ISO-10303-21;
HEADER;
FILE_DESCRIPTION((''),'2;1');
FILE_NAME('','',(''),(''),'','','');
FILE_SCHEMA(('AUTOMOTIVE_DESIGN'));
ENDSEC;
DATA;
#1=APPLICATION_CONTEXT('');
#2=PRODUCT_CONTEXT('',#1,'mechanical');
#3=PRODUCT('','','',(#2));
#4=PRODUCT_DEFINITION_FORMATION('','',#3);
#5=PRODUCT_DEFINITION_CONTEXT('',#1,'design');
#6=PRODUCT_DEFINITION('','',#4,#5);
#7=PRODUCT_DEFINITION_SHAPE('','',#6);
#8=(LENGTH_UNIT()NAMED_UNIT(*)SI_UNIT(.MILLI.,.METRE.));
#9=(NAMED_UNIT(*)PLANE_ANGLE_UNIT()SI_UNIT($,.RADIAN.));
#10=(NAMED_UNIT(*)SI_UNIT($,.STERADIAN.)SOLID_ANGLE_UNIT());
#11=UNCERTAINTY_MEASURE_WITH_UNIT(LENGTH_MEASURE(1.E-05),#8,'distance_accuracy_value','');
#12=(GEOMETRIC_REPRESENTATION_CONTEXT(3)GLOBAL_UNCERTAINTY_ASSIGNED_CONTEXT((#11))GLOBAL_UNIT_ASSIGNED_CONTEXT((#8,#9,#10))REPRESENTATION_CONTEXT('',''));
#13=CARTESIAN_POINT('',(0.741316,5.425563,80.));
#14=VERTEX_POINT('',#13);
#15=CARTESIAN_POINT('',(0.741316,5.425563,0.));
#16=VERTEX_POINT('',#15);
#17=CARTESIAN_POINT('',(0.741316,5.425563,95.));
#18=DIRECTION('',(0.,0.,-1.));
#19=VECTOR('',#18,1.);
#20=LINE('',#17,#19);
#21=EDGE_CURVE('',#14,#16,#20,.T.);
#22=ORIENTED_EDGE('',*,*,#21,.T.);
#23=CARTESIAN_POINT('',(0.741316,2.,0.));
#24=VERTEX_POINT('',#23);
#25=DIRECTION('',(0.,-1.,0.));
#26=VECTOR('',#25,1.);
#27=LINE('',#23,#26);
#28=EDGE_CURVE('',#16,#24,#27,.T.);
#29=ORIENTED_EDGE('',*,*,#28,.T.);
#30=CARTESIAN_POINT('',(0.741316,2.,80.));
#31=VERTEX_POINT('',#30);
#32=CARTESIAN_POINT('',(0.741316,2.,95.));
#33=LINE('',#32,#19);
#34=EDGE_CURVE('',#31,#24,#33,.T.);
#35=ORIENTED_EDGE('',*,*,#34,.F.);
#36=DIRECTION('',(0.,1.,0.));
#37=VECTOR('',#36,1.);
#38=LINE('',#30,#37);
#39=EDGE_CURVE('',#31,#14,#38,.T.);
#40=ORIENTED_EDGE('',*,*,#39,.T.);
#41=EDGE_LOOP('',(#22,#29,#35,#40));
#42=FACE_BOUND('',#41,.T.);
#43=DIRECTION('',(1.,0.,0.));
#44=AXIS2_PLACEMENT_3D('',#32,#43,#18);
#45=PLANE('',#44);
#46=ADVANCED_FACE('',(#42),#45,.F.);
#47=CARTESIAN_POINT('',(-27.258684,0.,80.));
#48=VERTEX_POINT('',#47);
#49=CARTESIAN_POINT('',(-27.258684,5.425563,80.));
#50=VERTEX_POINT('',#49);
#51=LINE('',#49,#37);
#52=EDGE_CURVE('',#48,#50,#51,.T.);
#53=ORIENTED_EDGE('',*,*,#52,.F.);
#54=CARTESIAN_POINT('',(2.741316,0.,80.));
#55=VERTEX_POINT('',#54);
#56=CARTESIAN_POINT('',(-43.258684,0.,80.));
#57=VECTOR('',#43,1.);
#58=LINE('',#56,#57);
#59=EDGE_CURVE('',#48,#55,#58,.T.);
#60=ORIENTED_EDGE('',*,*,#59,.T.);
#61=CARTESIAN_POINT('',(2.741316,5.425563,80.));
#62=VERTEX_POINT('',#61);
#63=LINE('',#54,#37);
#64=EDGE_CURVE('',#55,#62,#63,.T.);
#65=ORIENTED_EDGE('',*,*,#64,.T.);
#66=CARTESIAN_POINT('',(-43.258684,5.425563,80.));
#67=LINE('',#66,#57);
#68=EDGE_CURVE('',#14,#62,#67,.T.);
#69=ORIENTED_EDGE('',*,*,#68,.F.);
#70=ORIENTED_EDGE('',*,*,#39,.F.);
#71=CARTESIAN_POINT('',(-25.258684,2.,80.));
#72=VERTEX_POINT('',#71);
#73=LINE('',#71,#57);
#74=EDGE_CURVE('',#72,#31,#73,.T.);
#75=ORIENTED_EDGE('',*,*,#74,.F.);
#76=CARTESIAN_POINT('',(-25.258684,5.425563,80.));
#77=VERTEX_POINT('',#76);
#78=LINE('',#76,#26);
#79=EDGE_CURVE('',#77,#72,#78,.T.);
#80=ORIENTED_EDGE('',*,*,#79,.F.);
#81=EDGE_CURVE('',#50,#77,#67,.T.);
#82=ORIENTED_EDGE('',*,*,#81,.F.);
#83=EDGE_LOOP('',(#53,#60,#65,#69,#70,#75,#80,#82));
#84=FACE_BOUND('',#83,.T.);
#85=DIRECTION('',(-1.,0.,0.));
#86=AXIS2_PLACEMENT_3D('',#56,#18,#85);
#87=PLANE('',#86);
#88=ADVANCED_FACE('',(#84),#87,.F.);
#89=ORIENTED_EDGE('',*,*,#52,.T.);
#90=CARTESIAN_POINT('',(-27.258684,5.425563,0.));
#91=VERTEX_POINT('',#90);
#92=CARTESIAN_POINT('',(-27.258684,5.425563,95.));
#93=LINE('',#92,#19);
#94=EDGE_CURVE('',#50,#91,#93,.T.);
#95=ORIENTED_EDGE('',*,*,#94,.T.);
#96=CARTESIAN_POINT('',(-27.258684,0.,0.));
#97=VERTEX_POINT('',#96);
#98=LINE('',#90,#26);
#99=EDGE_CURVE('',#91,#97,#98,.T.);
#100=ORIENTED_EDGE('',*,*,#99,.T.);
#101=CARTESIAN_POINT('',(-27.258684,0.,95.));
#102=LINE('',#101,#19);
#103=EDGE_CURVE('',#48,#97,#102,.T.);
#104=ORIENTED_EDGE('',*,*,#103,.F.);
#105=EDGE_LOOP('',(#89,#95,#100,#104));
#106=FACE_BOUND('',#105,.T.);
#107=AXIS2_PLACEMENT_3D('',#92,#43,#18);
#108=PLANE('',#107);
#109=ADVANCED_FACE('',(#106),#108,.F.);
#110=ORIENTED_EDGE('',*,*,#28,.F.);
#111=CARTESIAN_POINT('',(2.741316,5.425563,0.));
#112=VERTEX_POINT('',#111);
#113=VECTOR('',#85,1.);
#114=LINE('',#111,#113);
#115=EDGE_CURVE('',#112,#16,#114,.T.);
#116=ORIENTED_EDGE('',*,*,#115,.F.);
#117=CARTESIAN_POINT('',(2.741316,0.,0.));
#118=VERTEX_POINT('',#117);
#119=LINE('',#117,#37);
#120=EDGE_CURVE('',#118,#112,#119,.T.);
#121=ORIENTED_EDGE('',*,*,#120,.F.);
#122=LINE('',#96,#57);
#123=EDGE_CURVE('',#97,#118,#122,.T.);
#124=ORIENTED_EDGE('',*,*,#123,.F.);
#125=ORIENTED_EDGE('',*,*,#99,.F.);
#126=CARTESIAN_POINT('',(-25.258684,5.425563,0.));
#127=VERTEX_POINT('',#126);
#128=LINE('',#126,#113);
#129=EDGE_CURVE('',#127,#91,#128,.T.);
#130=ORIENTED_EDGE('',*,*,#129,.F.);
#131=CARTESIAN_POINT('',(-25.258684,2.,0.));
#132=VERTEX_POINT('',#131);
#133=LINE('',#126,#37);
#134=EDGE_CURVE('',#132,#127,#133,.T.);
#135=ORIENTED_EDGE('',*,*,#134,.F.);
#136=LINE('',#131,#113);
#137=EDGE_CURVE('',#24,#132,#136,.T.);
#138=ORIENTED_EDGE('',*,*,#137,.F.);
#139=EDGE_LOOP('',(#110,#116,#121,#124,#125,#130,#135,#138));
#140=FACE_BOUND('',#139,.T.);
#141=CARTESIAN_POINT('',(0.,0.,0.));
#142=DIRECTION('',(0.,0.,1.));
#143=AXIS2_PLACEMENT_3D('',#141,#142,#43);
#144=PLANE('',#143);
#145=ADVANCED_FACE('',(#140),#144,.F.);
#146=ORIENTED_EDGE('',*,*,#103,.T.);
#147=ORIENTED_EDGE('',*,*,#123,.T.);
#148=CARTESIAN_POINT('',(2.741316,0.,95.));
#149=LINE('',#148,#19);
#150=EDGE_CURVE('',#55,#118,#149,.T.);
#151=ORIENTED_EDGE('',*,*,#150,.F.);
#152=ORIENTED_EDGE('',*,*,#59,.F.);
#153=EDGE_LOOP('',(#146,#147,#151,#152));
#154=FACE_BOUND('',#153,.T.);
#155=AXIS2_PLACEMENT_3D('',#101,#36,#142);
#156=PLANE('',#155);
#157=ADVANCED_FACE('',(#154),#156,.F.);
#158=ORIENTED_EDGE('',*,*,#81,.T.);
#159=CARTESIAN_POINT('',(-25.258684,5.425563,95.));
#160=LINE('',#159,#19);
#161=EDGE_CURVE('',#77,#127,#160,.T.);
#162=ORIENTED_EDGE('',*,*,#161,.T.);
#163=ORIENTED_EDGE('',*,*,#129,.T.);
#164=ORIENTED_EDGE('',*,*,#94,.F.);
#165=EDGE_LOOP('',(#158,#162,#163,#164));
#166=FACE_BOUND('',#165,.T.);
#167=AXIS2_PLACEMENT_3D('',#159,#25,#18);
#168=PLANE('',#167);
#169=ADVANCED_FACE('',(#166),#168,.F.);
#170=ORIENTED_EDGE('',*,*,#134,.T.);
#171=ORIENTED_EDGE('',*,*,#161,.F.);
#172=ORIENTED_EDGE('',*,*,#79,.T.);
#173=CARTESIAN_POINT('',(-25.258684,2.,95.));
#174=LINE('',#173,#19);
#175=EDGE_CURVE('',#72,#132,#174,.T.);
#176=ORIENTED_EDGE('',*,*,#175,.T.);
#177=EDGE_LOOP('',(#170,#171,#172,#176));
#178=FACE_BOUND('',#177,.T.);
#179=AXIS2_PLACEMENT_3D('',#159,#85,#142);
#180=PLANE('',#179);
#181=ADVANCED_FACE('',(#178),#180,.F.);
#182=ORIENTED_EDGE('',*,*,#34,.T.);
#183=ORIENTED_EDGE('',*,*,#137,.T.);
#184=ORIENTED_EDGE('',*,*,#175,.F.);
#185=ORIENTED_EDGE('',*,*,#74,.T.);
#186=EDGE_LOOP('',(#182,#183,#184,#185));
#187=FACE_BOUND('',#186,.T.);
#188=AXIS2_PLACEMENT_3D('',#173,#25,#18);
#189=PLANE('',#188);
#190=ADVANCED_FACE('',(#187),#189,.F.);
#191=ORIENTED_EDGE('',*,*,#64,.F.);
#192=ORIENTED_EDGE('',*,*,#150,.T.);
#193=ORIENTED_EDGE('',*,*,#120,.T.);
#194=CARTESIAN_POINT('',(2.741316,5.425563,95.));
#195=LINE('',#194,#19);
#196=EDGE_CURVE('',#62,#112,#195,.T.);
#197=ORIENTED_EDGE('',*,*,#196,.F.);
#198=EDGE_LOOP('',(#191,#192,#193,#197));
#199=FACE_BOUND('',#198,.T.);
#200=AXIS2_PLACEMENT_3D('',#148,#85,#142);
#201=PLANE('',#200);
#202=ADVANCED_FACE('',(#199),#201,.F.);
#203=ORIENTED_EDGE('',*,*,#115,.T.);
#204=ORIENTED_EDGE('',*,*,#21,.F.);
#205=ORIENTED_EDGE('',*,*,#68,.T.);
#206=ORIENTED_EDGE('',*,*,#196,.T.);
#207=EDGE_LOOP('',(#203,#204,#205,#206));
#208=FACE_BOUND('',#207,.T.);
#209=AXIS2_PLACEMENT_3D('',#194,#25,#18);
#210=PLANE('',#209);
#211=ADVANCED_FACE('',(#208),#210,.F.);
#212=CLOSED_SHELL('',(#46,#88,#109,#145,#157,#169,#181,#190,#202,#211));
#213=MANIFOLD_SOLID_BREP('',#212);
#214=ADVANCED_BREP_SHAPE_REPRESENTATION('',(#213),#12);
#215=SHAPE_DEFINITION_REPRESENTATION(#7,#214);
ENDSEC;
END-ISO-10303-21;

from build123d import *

# Parameters (mm, degrees)
BOSS_EXTRU_1_DEPTH      = 95
ESQUISSE2_W             = 15
ESQUISSE2_H             = 5.425563258
ENL_V_MAT_EXTRU_1_DEPTH = 46


with BuildPart() as part:
    # Esquisse1 → Boss.-Extru.1 (new body)
    with BuildSketch(Plane.XY):
        Polygon((-27.258684463, 5.425563258), (-27.258684463, 0), (2.741315537, 0), (2.741315537, 5.425563258), (0.741315537, 5.425563258), (0.741315537, 2), (-25.258684463, 2), (-25.258684463, 5.425563258), align=None)
    extrude(amount=BOSS_EXTRU_1_DEPTH)

    # Esquisse2 → Enlèv. mat.-Extru.1 (cut)
    with BuildSketch(Plane(origin=(2.741315537, 0, 0), x_dir=(0, 0, -1), z_dir=(1, 0, 0))):
        with Locations((-87.5, 2.712781629)):
            Rectangle(ESQUISSE2_W, ESQUISSE2_H)
    extrude(amount=-ENL_V_MAT_EXTRU_1_DEPTH, mode=Mode.SUBTRACT)


solid = part.part
